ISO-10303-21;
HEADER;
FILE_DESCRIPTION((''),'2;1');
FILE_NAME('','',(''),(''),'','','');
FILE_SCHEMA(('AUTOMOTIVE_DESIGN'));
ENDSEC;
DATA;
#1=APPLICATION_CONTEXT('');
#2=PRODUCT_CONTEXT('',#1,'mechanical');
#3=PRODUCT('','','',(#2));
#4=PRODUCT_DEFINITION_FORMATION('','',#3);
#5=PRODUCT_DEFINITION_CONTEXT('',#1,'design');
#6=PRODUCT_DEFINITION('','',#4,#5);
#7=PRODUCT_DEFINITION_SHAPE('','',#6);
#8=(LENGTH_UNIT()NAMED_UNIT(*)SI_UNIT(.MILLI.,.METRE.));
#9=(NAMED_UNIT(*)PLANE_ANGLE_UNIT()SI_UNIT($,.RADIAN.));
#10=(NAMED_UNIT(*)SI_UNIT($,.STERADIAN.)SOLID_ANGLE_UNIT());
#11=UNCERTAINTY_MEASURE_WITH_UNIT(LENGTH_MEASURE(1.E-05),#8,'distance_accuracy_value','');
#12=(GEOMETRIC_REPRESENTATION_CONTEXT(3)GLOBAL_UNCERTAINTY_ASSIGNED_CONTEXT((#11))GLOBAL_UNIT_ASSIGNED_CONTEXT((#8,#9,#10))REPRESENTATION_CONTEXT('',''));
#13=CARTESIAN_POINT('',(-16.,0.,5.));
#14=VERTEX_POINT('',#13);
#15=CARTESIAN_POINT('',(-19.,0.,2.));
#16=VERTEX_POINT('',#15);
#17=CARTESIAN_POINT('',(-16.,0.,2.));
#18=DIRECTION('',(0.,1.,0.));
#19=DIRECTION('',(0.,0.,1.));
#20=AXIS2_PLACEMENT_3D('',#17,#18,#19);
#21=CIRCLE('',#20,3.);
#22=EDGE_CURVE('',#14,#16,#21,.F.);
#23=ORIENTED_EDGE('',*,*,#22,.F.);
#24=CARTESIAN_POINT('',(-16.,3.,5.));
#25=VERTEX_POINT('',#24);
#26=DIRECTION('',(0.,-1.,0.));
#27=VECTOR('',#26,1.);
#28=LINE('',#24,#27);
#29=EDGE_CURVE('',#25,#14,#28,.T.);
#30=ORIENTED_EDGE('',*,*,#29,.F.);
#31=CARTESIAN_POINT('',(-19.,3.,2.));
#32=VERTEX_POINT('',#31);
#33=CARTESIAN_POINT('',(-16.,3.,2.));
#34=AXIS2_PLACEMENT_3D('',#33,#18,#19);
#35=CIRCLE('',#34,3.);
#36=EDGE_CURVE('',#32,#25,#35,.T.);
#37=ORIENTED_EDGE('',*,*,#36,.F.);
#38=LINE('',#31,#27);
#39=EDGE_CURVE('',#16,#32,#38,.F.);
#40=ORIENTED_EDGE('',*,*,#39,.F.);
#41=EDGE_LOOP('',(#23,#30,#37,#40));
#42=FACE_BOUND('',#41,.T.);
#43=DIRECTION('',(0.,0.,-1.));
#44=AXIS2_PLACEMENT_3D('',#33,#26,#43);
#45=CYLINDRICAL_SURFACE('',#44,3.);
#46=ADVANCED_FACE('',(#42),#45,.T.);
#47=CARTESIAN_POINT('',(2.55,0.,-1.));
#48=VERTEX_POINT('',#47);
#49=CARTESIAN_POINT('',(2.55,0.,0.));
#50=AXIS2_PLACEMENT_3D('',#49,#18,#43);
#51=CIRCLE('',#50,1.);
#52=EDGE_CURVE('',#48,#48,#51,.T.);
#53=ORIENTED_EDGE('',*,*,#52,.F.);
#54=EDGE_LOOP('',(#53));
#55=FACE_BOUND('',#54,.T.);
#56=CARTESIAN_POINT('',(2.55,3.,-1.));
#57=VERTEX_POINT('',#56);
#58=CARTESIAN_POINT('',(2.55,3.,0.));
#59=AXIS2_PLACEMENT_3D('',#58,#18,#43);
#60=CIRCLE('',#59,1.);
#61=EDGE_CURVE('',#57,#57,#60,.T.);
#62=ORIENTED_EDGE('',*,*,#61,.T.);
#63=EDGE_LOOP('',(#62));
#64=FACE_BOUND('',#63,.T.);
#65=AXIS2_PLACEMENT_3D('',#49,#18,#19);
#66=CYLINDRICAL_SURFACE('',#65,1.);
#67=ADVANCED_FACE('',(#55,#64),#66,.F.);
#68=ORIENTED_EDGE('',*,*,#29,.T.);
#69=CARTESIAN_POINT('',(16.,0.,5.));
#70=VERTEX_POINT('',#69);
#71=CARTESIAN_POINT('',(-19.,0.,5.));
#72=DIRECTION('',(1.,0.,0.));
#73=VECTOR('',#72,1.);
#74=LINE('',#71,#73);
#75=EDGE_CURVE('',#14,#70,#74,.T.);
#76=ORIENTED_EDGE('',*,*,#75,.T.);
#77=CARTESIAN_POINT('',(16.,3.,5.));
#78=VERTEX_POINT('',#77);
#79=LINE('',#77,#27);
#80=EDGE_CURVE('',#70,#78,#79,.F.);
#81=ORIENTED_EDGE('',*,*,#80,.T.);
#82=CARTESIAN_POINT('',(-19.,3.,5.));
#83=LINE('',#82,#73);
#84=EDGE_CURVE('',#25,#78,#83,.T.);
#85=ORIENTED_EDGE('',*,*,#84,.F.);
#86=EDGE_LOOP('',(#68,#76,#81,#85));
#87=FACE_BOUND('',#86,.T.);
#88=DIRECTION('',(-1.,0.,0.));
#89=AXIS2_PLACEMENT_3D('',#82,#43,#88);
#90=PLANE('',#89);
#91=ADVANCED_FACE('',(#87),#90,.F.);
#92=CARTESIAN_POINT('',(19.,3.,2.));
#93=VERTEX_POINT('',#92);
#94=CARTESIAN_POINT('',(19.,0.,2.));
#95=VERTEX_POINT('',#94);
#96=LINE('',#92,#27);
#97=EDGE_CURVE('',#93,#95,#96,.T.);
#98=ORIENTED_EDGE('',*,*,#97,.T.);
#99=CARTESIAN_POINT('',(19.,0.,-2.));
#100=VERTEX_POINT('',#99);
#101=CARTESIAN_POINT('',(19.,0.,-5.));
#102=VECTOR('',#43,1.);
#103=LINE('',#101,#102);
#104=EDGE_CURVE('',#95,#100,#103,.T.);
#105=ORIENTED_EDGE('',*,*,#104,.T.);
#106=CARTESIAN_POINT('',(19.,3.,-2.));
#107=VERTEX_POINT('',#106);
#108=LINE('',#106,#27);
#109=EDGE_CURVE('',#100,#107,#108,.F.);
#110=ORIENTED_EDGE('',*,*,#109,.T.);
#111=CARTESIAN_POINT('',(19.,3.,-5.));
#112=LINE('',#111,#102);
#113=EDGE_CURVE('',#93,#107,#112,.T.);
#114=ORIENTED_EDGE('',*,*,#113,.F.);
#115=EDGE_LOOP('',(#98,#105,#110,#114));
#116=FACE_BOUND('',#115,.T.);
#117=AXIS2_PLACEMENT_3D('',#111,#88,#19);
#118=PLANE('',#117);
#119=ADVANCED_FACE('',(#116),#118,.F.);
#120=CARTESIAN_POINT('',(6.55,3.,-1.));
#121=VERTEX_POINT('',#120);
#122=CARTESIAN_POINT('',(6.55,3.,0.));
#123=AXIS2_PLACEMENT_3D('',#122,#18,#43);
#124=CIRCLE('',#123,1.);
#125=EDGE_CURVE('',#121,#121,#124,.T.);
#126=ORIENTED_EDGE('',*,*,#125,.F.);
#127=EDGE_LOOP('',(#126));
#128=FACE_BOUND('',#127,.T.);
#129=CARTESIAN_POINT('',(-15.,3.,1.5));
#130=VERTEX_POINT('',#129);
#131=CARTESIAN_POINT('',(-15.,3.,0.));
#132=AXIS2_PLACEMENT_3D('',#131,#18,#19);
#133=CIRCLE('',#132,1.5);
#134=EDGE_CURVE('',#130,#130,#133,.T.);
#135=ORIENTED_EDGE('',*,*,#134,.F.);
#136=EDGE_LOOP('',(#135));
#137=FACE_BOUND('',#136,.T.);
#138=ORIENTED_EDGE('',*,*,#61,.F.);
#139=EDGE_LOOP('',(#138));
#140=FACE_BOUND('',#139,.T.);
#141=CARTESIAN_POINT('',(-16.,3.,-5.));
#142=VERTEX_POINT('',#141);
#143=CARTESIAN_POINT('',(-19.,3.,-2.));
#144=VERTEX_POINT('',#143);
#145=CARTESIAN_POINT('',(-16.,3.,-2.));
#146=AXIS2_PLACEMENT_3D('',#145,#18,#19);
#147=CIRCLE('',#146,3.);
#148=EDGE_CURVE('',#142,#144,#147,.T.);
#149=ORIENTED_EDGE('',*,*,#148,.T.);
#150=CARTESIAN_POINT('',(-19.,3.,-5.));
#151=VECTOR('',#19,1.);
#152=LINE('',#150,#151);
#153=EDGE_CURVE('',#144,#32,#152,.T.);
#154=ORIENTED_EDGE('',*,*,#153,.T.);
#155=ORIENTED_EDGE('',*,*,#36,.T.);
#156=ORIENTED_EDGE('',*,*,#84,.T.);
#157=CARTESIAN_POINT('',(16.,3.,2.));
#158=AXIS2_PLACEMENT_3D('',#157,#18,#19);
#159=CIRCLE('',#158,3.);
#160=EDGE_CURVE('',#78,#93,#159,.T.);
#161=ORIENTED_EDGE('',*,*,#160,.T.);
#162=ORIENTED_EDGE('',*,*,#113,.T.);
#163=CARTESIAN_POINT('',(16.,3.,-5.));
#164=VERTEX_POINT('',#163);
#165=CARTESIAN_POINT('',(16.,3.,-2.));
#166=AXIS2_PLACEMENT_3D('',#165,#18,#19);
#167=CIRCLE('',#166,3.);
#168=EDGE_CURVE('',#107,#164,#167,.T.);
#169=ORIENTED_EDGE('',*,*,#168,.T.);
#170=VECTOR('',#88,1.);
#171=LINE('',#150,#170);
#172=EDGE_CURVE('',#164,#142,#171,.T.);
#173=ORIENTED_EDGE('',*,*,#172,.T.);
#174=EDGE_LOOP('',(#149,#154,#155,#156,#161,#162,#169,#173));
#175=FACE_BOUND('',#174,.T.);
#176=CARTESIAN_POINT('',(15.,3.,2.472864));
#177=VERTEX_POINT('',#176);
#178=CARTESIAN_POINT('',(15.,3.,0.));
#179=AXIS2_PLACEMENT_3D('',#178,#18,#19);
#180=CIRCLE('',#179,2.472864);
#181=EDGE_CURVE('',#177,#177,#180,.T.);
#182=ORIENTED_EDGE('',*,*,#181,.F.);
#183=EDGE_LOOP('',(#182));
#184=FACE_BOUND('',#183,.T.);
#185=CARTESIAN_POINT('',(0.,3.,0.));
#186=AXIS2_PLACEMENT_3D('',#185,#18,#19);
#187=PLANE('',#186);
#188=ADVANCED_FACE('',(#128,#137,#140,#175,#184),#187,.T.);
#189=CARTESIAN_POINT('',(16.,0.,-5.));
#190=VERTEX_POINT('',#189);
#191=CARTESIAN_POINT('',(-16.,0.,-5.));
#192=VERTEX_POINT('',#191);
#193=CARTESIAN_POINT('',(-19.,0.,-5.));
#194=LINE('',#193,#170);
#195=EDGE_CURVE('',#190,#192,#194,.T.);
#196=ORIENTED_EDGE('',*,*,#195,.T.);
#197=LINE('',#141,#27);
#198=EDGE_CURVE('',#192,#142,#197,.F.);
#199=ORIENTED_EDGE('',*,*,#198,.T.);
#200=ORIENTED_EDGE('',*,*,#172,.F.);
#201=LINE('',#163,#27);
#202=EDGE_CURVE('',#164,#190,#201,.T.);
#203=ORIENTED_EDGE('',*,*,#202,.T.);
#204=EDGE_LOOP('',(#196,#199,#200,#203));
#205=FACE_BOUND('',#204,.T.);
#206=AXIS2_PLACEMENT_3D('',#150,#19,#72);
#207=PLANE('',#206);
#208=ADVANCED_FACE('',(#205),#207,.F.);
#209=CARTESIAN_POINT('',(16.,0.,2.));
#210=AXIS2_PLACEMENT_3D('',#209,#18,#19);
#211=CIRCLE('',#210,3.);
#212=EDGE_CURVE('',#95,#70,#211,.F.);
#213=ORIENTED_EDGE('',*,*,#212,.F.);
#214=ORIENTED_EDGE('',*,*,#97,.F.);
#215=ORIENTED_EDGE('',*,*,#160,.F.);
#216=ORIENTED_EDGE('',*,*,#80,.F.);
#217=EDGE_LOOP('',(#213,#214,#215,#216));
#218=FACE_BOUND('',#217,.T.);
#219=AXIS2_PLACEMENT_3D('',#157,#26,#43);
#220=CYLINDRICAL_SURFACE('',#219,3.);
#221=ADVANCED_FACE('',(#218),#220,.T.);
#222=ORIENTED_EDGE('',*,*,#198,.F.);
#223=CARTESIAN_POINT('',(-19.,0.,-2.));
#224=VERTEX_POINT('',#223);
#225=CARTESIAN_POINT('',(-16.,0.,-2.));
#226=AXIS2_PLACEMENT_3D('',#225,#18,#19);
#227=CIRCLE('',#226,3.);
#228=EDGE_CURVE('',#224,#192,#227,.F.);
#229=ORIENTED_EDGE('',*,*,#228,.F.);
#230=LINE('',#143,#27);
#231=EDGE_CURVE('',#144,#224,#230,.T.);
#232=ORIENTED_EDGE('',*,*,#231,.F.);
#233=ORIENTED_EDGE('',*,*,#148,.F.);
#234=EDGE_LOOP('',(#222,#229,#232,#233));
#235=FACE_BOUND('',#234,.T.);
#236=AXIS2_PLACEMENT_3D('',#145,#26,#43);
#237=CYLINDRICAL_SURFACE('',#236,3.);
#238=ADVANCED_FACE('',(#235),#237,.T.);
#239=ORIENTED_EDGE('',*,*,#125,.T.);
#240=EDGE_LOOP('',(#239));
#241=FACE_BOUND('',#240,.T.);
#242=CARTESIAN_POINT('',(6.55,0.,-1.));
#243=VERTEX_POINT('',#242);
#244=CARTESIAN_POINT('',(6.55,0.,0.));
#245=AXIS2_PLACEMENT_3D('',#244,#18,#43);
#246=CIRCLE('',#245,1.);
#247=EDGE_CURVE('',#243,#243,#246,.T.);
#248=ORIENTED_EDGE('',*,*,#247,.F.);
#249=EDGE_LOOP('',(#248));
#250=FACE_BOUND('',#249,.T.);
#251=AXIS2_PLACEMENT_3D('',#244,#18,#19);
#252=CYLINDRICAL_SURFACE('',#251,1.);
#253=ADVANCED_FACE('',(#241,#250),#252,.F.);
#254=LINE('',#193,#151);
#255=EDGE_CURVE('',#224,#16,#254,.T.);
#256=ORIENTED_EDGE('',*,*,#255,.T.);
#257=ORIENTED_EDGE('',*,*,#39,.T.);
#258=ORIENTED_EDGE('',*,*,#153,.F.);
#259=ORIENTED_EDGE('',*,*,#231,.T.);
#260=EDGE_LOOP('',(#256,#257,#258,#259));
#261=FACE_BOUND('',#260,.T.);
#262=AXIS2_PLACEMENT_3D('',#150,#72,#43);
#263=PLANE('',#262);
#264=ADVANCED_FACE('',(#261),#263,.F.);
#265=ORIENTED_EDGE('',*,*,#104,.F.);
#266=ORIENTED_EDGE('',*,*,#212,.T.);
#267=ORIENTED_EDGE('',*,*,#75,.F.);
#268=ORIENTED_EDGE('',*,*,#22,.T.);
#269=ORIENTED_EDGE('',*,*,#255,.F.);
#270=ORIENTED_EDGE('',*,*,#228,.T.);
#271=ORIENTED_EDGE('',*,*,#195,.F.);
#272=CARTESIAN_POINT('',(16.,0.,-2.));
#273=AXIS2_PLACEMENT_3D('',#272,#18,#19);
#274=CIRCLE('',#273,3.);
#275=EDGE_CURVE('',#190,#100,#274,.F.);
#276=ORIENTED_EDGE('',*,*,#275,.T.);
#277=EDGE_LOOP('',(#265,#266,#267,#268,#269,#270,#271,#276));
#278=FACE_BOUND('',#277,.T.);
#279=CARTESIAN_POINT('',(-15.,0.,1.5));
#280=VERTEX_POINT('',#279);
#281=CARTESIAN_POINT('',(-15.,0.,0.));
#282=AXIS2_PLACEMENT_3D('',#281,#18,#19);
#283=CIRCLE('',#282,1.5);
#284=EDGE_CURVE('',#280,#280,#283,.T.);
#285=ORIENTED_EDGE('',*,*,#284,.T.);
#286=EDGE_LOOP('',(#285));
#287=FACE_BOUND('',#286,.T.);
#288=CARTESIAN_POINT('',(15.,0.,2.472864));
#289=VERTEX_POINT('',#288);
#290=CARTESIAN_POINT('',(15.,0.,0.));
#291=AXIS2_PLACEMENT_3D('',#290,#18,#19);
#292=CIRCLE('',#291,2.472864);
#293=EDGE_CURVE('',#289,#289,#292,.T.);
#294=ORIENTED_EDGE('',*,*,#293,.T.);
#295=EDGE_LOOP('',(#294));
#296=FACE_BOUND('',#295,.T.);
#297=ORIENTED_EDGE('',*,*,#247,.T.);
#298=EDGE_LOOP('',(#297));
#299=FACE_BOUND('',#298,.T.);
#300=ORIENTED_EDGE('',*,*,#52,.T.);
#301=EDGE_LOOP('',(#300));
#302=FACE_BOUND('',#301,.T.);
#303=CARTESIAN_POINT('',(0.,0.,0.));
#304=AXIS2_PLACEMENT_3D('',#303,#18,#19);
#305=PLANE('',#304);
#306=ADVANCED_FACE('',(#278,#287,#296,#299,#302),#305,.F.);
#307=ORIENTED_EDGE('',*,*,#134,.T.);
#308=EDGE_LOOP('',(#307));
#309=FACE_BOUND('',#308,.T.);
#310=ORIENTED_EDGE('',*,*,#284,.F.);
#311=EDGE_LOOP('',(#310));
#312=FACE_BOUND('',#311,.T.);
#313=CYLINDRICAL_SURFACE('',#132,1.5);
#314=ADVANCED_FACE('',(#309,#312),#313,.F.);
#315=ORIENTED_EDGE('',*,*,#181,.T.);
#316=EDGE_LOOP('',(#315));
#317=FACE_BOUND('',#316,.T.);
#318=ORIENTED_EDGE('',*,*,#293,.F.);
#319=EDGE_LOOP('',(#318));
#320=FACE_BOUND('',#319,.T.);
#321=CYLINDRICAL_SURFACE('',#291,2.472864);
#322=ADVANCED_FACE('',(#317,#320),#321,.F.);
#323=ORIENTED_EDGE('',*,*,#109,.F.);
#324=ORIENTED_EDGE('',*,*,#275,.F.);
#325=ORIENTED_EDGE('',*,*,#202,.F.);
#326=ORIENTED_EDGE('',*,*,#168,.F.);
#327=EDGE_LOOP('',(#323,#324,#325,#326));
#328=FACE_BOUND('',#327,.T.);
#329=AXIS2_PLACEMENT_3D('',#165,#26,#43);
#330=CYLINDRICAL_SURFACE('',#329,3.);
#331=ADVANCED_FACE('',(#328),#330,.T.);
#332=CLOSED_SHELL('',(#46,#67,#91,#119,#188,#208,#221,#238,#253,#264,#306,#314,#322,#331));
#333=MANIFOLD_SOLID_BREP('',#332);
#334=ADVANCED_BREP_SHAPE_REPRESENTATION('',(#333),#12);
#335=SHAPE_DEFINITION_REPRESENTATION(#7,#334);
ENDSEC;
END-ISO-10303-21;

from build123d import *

# Parameters (mm, degrees)
SKETCH1_W                = 38
SKETCH1_H                = 10
BOSS_EXTRUDE1_DEPTH      = 3
SKETCH2_R                = 2.472864358
SKETCH2_R_2              = 1
CUT_EXTRUDE1_DEPTH       = 3
FILLET1_R                = 3
F_3_0_3_DIAMETER_HOLE1_D = 3


with BuildPart() as part:
    # Sketch1 → Boss-Extrude1 (new body)
    with BuildSketch(Plane(origin=(0, 0, 0), x_dir=(1, 0, 0), z_dir=(0, 1, 0))):
        Rectangle(SKETCH1_W, SKETCH1_H)
    extrude(amount=BOSS_EXTRUDE1_DEPTH)

    # Sketch2 → Cut-Extrude1 (cut)
    with BuildSketch(Plane(origin=(0, 3, 0), x_dir=(1, 0, 0), z_dir=(0, 1, 0))):
        with Locations((15, 0)):
            Circle(SKETCH2_R)
        with Locations((6.55, 0)):
            Circle(SKETCH2_R_2)
        with Locations((2.55, 0)):
            Circle(SKETCH2_R_2)
    extrude(amount=-CUT_EXTRUDE1_DEPTH, mode=Mode.SUBTRACT)

    # Fillet1
    fillet1_edges = [part.edges().sort_by_distance(p)[0] for p in [
        (19, 1.5, 5),
        (-19, 1.5, 5),
        (-19, 1.5, -5),
        (19, 1.5, -5),
    ]]
    fillet(fillet1_edges, radius=FILLET1_R)

    # Ø3.0 (3) Diameter Hole1 (through all)
    with Locations(Plane(origin=(0, 3, 0), x_dir=(1, 0, 0), z_dir=(0, 1, 0))):
        with Locations((-15, 0)):
            Hole(F_3_0_3_DIAMETER_HOLE1_D / 2)


solid = part.part
